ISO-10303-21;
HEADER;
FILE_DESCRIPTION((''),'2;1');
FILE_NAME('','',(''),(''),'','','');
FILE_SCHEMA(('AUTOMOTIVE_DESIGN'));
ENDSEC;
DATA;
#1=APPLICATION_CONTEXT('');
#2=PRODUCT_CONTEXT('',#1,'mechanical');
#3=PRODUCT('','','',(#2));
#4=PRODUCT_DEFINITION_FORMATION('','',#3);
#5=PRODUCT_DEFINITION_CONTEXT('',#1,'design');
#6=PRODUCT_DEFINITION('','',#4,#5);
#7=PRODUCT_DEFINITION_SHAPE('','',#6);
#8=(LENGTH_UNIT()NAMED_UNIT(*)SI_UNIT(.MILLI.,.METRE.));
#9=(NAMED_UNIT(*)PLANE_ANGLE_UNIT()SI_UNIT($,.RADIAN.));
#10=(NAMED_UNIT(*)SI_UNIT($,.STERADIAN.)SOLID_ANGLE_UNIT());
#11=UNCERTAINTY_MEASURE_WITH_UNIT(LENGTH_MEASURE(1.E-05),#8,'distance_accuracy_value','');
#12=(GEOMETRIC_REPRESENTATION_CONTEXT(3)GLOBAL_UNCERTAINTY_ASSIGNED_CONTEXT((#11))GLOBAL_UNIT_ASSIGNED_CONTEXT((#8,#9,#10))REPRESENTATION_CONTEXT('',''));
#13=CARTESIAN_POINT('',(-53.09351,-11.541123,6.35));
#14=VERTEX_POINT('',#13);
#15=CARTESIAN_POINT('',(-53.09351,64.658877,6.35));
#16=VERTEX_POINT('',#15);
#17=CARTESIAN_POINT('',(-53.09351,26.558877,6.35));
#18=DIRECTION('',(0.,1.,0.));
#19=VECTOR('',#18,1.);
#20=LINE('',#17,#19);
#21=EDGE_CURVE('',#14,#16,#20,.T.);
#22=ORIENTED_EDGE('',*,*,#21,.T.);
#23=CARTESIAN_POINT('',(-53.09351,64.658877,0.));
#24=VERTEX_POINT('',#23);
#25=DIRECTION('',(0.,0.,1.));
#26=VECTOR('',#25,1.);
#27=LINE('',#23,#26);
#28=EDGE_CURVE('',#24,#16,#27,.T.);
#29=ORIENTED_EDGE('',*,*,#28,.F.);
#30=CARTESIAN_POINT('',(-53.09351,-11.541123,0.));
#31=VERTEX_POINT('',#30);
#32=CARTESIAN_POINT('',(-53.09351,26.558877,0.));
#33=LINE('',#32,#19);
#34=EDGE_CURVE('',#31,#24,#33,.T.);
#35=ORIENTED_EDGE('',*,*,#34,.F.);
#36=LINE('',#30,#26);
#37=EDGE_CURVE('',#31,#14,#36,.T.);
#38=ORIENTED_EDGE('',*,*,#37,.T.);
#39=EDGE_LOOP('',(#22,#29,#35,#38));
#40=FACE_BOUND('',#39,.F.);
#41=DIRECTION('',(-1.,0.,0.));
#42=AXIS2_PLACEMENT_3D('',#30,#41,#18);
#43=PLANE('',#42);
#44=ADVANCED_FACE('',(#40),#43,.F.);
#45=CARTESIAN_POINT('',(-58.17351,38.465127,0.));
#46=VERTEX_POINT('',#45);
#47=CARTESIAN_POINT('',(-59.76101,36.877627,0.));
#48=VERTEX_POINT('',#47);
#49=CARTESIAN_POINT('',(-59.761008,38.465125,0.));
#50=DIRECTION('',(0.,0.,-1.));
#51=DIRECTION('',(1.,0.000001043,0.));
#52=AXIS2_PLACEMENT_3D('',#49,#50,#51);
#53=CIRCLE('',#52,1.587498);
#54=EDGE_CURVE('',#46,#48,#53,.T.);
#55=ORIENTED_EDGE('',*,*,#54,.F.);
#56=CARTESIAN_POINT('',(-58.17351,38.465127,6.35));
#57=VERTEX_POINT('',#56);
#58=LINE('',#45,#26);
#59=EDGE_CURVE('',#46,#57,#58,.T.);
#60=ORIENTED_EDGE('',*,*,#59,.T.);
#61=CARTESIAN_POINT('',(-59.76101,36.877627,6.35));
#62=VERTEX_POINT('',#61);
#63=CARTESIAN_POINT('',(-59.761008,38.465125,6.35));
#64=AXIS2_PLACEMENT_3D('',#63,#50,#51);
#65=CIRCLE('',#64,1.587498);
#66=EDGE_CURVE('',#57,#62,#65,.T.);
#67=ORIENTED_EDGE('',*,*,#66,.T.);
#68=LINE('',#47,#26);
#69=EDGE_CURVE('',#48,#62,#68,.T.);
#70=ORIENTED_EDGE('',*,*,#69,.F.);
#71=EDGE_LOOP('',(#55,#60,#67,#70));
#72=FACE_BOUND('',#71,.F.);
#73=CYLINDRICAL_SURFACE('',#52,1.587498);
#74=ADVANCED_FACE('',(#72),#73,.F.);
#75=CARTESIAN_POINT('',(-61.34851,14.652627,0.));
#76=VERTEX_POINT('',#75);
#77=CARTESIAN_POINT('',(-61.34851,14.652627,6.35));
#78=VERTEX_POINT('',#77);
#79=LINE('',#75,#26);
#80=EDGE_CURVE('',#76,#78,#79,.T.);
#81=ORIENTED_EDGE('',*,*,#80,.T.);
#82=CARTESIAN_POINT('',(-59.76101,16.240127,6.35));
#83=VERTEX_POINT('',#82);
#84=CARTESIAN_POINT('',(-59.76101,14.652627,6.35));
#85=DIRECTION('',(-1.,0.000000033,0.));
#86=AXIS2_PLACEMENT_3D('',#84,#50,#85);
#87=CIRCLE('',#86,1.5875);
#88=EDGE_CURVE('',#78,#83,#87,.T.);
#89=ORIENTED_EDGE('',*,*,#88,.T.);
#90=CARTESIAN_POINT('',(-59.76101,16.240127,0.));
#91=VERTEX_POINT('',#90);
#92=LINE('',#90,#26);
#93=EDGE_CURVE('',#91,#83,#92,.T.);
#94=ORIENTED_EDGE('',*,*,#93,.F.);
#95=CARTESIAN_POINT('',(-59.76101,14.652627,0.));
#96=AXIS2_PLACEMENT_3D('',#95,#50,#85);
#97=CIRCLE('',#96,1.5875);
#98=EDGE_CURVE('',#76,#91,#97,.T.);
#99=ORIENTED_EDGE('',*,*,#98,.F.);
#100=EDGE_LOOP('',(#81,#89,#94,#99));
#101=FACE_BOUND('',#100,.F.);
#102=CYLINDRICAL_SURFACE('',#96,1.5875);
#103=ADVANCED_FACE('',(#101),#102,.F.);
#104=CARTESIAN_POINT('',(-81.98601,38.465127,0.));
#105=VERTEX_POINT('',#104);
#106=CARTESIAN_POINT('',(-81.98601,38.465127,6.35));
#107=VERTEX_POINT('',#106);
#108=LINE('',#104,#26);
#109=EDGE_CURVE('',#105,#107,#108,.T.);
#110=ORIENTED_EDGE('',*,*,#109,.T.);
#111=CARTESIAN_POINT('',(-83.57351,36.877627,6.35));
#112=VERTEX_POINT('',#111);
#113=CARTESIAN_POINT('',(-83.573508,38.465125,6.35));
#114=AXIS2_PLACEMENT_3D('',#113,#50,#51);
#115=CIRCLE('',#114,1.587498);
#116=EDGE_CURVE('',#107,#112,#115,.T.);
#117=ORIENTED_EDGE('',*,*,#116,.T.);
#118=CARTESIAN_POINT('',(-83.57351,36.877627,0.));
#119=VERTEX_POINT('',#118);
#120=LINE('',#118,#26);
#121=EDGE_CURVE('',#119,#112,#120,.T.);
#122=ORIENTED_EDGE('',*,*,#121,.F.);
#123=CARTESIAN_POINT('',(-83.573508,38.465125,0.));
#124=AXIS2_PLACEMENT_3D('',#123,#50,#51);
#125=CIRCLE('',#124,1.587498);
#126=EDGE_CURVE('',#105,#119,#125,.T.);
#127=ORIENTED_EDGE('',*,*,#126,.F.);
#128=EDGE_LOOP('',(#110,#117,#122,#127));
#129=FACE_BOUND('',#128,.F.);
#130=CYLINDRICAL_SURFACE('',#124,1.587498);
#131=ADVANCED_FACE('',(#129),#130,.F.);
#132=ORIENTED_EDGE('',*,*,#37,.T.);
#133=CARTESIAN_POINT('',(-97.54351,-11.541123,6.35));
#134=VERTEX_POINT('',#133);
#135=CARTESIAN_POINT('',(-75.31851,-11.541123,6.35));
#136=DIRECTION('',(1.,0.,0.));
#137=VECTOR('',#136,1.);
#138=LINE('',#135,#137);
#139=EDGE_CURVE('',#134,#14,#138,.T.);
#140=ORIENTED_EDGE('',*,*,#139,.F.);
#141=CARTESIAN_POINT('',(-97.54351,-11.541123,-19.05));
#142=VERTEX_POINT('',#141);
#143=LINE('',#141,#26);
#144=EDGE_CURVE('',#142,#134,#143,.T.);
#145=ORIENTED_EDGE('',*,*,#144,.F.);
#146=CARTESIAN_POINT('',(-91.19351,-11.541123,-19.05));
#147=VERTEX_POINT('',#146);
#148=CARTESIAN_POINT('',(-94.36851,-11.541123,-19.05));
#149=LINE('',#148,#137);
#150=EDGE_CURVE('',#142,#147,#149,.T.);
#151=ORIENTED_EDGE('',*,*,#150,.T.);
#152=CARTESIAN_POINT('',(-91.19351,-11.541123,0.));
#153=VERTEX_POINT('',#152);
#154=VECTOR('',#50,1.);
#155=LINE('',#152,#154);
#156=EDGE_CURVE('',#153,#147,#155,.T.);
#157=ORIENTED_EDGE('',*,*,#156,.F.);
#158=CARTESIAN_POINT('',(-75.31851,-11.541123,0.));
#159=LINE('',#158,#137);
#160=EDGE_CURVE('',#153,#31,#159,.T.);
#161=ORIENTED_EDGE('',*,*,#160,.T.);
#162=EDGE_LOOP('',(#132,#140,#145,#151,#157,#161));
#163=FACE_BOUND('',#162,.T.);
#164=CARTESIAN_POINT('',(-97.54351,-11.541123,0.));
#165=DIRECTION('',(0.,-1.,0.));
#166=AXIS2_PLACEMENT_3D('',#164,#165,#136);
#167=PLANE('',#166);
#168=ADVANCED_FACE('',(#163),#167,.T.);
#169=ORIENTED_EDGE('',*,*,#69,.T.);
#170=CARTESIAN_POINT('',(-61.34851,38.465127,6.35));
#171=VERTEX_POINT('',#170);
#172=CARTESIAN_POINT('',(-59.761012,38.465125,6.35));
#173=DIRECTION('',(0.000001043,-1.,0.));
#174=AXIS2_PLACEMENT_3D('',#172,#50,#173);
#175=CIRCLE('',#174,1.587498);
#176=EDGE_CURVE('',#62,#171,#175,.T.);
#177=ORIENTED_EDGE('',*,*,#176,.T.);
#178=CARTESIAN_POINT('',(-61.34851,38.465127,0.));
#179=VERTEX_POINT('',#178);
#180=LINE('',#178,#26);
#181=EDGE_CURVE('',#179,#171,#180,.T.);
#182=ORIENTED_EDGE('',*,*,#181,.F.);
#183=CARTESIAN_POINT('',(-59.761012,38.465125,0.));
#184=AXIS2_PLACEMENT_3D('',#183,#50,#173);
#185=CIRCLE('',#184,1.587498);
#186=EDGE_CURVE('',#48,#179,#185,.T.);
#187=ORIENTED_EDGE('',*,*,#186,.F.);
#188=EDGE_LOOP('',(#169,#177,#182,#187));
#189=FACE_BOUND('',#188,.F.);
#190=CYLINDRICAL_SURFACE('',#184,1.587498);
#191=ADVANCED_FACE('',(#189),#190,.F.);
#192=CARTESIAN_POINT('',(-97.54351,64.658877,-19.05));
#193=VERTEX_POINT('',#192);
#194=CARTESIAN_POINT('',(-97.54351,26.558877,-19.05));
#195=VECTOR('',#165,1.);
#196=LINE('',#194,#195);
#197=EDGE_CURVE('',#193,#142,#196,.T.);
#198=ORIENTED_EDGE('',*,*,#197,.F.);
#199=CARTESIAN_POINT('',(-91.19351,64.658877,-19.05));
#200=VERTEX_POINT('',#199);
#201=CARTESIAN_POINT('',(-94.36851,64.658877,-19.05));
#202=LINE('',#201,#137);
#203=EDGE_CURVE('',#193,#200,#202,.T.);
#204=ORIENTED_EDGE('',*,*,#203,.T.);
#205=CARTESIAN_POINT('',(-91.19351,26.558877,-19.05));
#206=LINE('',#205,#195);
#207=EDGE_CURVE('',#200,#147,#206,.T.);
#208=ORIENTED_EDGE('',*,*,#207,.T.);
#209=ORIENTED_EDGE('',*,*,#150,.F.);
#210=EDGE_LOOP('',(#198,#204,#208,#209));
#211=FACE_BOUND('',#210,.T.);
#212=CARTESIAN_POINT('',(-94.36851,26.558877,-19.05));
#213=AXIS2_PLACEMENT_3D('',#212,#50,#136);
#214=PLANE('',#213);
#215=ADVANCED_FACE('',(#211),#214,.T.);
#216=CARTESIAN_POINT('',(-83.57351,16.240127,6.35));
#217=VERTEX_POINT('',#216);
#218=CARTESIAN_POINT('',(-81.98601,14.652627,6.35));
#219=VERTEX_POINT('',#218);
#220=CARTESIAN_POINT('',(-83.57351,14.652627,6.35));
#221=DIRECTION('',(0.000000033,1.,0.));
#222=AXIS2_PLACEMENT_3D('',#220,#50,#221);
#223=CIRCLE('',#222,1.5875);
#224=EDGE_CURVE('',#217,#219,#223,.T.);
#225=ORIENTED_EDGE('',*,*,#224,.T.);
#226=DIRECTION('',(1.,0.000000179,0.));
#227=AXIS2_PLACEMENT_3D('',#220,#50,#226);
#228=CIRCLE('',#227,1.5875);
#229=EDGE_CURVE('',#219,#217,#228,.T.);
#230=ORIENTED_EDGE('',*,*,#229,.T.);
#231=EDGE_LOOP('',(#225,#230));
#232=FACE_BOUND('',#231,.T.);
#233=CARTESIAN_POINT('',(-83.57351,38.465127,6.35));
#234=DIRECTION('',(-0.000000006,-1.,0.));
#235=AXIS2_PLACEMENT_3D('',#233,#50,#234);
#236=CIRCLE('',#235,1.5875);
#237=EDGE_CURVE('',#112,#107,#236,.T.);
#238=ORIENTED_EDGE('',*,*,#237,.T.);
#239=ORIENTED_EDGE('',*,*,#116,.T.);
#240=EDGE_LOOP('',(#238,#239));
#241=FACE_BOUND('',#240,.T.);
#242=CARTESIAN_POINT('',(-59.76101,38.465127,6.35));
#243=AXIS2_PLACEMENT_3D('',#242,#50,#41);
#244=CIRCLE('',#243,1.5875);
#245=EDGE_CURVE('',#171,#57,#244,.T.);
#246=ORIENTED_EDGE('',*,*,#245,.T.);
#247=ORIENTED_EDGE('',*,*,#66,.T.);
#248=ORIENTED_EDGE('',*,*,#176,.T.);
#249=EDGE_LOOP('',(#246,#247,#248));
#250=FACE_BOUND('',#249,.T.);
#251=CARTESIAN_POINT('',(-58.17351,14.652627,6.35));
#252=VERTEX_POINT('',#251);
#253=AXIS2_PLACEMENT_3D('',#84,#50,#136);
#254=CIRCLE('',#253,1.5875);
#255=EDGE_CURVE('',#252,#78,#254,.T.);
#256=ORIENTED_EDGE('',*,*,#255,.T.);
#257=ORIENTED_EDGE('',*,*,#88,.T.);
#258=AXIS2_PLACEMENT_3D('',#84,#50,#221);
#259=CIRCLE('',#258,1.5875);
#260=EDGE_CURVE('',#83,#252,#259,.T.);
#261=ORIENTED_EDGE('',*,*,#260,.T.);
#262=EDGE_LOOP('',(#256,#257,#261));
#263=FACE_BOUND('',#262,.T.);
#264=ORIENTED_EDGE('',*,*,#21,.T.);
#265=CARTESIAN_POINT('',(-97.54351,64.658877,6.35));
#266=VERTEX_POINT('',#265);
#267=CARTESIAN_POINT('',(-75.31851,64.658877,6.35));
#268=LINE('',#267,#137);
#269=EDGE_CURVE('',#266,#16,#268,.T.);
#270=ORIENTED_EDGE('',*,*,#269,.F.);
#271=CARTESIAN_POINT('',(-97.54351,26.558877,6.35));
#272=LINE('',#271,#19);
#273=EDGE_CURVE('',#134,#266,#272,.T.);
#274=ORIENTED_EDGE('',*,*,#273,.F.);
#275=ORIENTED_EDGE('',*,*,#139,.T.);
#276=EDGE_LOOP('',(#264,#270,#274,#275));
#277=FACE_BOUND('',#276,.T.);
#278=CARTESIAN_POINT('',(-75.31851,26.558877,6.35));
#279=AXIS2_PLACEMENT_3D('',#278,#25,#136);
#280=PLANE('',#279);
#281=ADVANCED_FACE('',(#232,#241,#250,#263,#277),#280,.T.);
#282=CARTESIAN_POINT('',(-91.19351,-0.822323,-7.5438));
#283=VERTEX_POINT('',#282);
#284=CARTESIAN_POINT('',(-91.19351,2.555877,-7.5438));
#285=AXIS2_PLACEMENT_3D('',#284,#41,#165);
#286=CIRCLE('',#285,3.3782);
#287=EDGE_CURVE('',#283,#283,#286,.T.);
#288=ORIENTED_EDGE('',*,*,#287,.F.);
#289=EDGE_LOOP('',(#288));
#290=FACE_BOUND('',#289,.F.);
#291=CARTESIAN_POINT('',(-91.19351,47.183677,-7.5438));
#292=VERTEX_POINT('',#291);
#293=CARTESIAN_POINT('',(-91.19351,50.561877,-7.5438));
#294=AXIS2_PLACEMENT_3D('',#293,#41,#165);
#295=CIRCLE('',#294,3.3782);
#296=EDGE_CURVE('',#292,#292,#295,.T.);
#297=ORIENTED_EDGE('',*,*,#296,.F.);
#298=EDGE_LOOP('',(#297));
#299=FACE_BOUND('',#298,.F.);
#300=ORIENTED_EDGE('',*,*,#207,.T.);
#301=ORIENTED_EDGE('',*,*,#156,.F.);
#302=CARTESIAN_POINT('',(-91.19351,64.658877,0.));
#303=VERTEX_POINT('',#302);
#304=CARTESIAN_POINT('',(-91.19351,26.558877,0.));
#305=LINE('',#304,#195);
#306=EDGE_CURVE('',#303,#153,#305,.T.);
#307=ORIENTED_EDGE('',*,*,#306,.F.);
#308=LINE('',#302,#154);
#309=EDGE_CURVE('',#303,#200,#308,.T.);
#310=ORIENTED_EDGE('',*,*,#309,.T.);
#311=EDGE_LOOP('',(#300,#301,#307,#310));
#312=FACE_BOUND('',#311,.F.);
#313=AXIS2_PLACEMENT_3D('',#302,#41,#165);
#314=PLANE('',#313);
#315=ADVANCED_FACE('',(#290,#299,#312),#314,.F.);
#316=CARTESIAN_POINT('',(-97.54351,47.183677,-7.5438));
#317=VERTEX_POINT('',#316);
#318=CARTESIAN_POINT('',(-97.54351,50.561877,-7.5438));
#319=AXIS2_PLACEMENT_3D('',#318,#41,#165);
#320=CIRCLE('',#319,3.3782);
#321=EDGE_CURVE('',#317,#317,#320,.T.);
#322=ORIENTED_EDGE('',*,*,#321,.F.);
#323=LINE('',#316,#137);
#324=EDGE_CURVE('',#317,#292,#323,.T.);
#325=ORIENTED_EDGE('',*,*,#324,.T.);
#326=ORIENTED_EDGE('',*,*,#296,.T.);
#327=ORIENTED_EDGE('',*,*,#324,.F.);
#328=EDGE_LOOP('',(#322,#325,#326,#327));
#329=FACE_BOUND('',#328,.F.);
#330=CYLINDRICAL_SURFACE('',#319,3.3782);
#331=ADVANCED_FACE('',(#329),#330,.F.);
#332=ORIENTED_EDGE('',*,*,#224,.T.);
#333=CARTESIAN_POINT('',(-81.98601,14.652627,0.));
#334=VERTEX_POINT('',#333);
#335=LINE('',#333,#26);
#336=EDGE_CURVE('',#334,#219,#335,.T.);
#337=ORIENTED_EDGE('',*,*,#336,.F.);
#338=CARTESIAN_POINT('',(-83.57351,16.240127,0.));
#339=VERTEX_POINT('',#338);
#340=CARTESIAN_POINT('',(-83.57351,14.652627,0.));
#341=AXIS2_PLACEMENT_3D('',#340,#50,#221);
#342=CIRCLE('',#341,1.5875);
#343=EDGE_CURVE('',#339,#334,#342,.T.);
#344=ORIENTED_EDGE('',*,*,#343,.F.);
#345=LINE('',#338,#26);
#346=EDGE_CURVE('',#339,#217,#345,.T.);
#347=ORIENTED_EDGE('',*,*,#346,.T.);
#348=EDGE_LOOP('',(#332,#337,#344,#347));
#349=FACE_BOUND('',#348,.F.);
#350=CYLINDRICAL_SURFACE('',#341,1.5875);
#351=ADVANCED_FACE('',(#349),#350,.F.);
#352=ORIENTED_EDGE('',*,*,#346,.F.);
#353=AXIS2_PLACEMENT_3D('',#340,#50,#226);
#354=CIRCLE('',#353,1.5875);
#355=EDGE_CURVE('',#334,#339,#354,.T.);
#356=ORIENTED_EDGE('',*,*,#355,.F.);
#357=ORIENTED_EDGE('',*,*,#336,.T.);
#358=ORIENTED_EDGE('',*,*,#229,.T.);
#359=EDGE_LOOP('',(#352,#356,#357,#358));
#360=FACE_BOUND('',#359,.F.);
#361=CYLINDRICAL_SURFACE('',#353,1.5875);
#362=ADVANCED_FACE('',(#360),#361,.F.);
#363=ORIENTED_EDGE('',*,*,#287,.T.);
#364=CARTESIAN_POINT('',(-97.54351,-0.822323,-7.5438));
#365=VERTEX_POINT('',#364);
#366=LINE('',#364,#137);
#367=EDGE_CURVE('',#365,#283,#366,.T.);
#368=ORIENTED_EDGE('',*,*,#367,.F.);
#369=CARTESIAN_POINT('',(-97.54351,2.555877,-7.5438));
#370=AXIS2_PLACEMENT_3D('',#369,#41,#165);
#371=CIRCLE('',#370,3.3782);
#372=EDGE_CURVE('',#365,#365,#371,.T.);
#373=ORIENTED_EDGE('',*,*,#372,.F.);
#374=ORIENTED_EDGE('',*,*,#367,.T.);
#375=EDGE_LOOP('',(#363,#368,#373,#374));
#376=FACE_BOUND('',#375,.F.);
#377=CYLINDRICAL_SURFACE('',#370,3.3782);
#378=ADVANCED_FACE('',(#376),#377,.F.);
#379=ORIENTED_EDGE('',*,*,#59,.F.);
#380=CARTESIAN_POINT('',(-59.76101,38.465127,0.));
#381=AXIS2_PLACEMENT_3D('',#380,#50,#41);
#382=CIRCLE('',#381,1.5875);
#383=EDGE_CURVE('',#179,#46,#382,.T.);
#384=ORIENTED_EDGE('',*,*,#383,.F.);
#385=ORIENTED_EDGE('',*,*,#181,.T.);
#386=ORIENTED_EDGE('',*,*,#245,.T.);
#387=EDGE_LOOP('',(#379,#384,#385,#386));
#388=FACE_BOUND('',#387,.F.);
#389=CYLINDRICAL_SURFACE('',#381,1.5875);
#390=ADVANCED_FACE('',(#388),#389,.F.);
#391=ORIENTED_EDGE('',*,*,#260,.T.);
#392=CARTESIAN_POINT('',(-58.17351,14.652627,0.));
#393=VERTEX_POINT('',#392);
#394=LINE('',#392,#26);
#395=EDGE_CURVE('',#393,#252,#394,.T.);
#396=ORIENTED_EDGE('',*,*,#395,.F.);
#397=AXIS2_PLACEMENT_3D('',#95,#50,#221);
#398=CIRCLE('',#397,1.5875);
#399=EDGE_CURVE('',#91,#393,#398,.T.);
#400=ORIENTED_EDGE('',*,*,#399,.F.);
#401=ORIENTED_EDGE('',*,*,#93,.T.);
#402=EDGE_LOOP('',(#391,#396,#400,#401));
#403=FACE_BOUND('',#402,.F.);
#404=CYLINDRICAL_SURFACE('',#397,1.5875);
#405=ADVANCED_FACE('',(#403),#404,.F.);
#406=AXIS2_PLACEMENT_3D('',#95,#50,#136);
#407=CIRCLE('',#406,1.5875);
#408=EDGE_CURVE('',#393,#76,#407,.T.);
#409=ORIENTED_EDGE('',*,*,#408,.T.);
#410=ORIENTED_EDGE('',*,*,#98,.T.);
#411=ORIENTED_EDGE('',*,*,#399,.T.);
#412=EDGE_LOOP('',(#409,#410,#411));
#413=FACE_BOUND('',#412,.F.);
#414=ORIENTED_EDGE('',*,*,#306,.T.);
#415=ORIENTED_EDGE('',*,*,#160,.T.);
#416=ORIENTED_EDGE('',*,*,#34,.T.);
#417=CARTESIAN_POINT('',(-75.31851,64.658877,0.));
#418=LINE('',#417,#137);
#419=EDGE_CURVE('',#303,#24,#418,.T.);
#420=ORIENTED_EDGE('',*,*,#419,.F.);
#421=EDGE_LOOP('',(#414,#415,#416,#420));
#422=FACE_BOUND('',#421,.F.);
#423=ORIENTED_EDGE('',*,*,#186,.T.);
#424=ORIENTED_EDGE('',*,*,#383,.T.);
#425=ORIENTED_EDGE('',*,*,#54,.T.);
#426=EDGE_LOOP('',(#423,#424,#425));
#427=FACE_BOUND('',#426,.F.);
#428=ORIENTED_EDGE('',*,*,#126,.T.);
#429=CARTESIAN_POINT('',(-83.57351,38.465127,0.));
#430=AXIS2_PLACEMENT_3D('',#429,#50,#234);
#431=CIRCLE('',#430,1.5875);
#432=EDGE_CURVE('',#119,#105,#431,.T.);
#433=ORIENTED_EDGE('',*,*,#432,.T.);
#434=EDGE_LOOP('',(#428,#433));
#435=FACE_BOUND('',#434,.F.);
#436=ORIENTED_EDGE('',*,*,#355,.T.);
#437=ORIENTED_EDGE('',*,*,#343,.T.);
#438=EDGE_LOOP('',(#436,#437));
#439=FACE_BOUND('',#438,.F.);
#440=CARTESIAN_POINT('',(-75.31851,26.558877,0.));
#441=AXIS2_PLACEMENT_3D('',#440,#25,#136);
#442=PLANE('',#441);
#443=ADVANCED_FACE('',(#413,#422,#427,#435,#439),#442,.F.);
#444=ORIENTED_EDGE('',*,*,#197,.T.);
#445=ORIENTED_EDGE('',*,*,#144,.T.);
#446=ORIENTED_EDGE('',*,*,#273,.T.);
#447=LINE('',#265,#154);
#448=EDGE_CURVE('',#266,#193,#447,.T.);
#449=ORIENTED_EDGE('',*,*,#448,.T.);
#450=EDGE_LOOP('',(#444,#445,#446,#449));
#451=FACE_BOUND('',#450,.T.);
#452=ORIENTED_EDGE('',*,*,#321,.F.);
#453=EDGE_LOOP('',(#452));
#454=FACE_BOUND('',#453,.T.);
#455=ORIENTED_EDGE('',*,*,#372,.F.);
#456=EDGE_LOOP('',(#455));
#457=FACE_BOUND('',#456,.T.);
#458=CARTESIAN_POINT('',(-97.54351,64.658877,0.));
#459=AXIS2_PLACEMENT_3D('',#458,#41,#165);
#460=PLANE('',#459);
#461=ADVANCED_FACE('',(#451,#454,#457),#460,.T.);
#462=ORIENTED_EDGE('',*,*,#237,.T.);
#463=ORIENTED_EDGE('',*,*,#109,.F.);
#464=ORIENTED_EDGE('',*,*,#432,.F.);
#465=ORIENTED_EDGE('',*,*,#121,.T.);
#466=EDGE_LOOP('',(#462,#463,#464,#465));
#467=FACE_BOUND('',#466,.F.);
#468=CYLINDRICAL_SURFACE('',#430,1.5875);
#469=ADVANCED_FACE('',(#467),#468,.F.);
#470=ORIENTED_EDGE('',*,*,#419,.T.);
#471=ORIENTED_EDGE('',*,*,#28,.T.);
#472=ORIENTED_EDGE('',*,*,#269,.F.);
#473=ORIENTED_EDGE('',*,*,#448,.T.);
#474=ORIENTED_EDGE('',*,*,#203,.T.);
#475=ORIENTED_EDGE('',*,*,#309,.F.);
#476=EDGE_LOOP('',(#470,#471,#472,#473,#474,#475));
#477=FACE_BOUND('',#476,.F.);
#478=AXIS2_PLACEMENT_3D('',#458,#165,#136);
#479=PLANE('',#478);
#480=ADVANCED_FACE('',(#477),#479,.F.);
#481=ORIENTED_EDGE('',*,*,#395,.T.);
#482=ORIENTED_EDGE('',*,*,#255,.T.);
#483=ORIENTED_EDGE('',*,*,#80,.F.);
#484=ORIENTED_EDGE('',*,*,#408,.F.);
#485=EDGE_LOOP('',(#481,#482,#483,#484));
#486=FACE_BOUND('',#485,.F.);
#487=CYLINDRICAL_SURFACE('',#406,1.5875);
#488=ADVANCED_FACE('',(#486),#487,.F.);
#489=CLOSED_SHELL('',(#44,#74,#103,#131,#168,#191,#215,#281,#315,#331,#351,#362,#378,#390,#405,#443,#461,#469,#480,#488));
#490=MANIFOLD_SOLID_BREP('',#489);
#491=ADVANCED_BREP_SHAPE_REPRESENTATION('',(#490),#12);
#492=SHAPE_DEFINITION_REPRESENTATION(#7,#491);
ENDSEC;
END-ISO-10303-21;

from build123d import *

# Parameters (mm, degrees)
F0_W     = 44.45
F0_H     = 76.2
F1_DEPTH = 6.35
F2_W     = 6.35
F2_H     = 76.2
F3_DEPTH = 19.05
F4_R     = 3.3782
F5_DEPTH = 12.7
F7_DEPTH = 25.4


with BuildPart() as f1:
    # F0 (on Top) → F1 (new body)
    with BuildSketch(Plane.XY):
        with Locations((-75.31851, 26.558877)):
            Rectangle(F0_W, F0_H)
    extrude(amount=F1_DEPTH)

    # F2 (on face) → F3 (join)
    with BuildSketch(Plane(origin=(0, 0, 0), x_dir=(1, 0, 0), z_dir=(0, 0, -1))):
        with Locations((-94.36851, -26.558877)):
            Rectangle(F2_W, F2_H)
    extrude(amount=F3_DEPTH)

    # F4 (on face) → F5 (cut)
    with BuildSketch(Plane(origin=(-97.54351, 0, 0), x_dir=(0, -1, 0), z_dir=(-1, 0, 0))):
        with Locations((-2.555877, -7.5438)):
            Circle(F4_R)
        with Locations((-50.561877, -7.5438)):
            Circle(F4_R)
    extrude(amount=-F5_DEPTH, mode=Mode.SUBTRACT)

    # F6 (on face) → F7 (cut)
    with BuildSketch(Plane(origin=(0, 0, 0), x_dir=(1, 0, 0), z_dir=(0, 0, -1))):
        with BuildLine():
            ThreePointArc((-83.57351, -16.240127), (-82.450978, -15.775159), (-81.98601, -14.652627))
            Line((-81.98601, -14.652627), (-83.57351, -14.652627))
            Line((-83.57351, -14.652627), (-83.57351, -16.240127))
        make_face()
        with BuildLine():
            Line((-83.57351, -14.652627), (-81.98601, -14.652627))
            ThreePointArc((-81.98601, -14.652627), (-84.696042, -13.530094), (-83.57351, -16.240127))
            Line((-83.57351, -16.240127), (-83.57351, -14.652627))
        make_face()
        with BuildLine():
            Line((-59.76101, -14.652627), (-61.34851, -14.652627))
            ThreePointArc((-61.34851, -14.652627), (-60.883542, -15.775159), (-59.76101, -16.240127))
            Line((-59.76101, -16.240127), (-59.76101, -14.652627))
        make_face()
        with BuildLine():
            ThreePointArc((-58.17351, -14.652627), (-59.76101, -13.065127), (-61.34851, -14.652627))
            Line((-61.34851, -14.652627), (-59.76101, -14.652627))
            Line((-59.76101, -14.652627), (-59.76101, -16.240127))
            ThreePointArc((-59.76101, -16.240127), (-58.638478, -15.775159), (-58.17351, -14.652627))
        make_face()
        with BuildLine():
            Line((-83.57351, -38.465127), (-83.57351, -36.877627))
            ThreePointArc((-83.57351, -36.877627), (-84.696042, -39.587659), (-81.98601, -38.465127))
            Line((-81.98601, -38.465127), (-83.57351, -38.465127))
        make_face()
        with BuildLine():
            ThreePointArc((-81.98601, -38.465127), (-82.450978, -37.342594), (-83.57351, -36.877627))
            Line((-83.57351, -36.877627), (-83.57351, -38.465127))
            Line((-83.57351, -38.465127), (-81.98601, -38.465127))
        make_face()
        with BuildLine():
            ThreePointArc((-58.17351, -38.465127), (-58.638478, -37.342594), (-59.76101, -36.877627))
            Line((-59.76101, -36.877627), (-59.76101, -38.465127))
            Line((-59.76101, -38.465127), (-61.34851, -38.465127))
            ThreePointArc((-61.34851, -38.465127), (-59.76101, -40.052627), (-58.17351, -38.465127))
        make_face()
        with BuildLine():
            Line((-59.76101, -38.465127), (-59.76101, -36.877627))
            ThreePointArc((-59.76101, -36.877627), (-60.883542, -37.342594), (-61.34851, -38.465127))
            Line((-61.34851, -38.465127), (-59.76101, -38.465127))
        make_face()
    extrude(amount=-F7_DEPTH, mode=Mode.SUBTRACT)


solid = f1.part
